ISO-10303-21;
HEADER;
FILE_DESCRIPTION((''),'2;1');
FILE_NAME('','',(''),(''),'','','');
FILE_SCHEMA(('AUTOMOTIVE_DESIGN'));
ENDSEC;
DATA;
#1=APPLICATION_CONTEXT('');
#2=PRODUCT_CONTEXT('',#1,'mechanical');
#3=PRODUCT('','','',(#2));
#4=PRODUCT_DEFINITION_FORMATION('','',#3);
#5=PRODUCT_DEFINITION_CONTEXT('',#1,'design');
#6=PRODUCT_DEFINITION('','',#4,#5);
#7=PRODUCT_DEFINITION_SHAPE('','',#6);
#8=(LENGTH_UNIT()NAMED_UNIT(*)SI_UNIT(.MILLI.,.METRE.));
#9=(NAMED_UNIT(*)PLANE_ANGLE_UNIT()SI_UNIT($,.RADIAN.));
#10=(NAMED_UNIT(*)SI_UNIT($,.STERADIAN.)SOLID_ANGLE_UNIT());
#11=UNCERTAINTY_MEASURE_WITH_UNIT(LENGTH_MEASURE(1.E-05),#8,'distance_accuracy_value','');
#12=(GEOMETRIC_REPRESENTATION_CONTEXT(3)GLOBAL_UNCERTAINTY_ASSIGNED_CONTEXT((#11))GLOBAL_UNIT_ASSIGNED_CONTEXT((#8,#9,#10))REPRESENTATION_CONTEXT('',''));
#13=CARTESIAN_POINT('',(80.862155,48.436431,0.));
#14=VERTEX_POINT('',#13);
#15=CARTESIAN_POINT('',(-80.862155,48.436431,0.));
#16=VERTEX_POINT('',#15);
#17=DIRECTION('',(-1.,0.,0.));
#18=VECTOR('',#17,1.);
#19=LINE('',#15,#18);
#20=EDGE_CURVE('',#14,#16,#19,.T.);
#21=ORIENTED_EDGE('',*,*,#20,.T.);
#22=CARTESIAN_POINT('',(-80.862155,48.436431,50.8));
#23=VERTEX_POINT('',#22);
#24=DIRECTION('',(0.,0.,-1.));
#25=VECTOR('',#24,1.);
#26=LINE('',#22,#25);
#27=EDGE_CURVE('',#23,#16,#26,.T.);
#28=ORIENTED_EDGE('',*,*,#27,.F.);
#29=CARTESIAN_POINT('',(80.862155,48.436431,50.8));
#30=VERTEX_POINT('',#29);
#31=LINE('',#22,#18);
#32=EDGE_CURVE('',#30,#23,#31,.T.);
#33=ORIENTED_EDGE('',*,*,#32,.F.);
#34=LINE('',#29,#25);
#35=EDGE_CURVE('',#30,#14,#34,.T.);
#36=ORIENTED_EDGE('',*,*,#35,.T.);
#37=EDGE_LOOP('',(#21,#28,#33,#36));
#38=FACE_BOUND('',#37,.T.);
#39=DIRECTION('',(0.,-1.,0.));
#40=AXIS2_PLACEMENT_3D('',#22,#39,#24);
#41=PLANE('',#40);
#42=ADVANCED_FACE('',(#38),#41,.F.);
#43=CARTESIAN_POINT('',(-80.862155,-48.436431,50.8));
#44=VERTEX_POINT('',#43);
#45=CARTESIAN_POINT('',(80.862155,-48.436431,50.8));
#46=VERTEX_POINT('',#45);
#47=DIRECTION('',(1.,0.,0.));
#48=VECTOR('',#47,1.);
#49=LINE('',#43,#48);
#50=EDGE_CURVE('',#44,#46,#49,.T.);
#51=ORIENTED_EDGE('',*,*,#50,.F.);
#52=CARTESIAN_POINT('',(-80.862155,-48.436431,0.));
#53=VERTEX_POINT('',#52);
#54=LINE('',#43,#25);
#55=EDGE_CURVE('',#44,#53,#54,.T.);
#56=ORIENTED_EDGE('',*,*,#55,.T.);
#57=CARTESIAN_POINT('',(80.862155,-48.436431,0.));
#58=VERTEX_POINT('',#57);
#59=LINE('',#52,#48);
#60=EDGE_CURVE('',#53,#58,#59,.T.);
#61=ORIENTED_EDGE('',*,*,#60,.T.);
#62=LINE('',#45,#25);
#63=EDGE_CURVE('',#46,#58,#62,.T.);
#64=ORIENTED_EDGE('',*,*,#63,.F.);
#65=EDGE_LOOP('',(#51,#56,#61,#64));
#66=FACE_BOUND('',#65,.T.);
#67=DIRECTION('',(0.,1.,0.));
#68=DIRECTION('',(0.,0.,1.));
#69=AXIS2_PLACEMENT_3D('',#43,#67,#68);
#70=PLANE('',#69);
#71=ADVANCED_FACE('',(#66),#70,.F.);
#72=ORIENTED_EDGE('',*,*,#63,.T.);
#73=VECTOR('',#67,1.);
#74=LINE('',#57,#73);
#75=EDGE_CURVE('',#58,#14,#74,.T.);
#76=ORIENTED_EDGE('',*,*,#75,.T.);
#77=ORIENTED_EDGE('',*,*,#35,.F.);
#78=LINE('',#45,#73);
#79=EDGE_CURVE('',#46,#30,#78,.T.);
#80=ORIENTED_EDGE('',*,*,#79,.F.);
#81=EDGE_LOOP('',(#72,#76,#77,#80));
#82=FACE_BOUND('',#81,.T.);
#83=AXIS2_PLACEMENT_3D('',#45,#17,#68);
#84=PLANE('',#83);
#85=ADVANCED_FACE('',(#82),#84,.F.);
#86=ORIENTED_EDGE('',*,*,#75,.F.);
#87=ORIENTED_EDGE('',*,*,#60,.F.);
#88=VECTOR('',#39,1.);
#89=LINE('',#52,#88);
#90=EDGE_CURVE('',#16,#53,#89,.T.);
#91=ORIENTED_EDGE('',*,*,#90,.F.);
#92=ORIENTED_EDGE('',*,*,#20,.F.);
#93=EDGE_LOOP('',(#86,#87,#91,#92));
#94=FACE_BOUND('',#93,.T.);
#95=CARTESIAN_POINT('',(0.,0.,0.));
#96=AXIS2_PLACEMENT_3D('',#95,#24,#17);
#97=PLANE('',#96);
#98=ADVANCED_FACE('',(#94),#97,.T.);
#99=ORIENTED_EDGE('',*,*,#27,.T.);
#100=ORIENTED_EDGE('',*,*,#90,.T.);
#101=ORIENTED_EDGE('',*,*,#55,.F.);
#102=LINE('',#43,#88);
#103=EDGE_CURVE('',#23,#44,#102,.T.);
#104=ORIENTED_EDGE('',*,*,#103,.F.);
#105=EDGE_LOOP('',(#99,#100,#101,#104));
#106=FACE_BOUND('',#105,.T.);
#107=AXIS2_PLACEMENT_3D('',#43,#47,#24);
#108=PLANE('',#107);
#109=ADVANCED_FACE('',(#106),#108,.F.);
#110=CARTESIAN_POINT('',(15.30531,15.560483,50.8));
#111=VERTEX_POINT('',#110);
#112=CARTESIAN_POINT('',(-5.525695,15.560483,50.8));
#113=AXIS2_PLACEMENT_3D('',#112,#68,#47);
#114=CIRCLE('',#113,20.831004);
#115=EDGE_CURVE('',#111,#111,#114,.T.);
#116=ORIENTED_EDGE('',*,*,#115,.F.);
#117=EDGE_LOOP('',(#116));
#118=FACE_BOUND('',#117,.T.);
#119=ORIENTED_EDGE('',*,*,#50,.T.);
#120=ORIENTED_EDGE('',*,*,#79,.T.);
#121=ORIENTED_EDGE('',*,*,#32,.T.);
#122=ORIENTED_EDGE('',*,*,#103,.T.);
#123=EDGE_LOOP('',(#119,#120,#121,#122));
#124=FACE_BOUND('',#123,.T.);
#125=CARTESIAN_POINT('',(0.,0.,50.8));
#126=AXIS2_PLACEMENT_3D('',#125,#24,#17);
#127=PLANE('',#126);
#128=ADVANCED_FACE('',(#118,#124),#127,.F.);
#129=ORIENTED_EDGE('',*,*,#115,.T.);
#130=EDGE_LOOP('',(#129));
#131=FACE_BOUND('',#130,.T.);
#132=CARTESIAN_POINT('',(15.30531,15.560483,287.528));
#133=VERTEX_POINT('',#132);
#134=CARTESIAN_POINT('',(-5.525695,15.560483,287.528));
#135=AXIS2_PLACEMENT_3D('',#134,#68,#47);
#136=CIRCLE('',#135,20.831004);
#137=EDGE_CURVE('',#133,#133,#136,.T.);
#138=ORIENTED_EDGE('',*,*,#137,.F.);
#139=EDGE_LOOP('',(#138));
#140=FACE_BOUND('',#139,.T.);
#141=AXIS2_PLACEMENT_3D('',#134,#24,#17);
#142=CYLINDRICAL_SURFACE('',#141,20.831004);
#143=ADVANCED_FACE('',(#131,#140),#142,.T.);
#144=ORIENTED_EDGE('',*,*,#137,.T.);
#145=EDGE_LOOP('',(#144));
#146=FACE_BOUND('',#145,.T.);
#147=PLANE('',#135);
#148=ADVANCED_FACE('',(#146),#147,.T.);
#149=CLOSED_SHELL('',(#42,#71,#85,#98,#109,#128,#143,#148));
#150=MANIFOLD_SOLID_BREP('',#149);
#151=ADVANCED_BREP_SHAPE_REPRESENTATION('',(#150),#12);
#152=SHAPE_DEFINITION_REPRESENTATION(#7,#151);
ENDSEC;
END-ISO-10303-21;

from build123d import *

# Parameters (mm, degrees)
SKETCH1_W           = 161.724310644
SKETCH1_H           = 96.872862076
BOSS_EXTRUDE1_DEPTH = 50.8
SKETCH2_R           = 20.831004362
BOSS_EXTRUDE2_DEPTH = 236.728


with BuildPart() as part:
    # Sketch1 → Boss-Extrude1 (new body)
    with BuildSketch(Plane.XY):
        Rectangle(SKETCH1_W, SKETCH1_H)
    extrude(amount=BOSS_EXTRUDE1_DEPTH)

    # Sketch2 → Boss-Extrude2 (add)
    with BuildSketch(Plane.XY.offset(50.8)):
        with Locations((-5.525694513, 15.560482637)):
            Circle(SKETCH2_R)
    extrude(amount=BOSS_EXTRUDE2_DEPTH)


solid = part.part
